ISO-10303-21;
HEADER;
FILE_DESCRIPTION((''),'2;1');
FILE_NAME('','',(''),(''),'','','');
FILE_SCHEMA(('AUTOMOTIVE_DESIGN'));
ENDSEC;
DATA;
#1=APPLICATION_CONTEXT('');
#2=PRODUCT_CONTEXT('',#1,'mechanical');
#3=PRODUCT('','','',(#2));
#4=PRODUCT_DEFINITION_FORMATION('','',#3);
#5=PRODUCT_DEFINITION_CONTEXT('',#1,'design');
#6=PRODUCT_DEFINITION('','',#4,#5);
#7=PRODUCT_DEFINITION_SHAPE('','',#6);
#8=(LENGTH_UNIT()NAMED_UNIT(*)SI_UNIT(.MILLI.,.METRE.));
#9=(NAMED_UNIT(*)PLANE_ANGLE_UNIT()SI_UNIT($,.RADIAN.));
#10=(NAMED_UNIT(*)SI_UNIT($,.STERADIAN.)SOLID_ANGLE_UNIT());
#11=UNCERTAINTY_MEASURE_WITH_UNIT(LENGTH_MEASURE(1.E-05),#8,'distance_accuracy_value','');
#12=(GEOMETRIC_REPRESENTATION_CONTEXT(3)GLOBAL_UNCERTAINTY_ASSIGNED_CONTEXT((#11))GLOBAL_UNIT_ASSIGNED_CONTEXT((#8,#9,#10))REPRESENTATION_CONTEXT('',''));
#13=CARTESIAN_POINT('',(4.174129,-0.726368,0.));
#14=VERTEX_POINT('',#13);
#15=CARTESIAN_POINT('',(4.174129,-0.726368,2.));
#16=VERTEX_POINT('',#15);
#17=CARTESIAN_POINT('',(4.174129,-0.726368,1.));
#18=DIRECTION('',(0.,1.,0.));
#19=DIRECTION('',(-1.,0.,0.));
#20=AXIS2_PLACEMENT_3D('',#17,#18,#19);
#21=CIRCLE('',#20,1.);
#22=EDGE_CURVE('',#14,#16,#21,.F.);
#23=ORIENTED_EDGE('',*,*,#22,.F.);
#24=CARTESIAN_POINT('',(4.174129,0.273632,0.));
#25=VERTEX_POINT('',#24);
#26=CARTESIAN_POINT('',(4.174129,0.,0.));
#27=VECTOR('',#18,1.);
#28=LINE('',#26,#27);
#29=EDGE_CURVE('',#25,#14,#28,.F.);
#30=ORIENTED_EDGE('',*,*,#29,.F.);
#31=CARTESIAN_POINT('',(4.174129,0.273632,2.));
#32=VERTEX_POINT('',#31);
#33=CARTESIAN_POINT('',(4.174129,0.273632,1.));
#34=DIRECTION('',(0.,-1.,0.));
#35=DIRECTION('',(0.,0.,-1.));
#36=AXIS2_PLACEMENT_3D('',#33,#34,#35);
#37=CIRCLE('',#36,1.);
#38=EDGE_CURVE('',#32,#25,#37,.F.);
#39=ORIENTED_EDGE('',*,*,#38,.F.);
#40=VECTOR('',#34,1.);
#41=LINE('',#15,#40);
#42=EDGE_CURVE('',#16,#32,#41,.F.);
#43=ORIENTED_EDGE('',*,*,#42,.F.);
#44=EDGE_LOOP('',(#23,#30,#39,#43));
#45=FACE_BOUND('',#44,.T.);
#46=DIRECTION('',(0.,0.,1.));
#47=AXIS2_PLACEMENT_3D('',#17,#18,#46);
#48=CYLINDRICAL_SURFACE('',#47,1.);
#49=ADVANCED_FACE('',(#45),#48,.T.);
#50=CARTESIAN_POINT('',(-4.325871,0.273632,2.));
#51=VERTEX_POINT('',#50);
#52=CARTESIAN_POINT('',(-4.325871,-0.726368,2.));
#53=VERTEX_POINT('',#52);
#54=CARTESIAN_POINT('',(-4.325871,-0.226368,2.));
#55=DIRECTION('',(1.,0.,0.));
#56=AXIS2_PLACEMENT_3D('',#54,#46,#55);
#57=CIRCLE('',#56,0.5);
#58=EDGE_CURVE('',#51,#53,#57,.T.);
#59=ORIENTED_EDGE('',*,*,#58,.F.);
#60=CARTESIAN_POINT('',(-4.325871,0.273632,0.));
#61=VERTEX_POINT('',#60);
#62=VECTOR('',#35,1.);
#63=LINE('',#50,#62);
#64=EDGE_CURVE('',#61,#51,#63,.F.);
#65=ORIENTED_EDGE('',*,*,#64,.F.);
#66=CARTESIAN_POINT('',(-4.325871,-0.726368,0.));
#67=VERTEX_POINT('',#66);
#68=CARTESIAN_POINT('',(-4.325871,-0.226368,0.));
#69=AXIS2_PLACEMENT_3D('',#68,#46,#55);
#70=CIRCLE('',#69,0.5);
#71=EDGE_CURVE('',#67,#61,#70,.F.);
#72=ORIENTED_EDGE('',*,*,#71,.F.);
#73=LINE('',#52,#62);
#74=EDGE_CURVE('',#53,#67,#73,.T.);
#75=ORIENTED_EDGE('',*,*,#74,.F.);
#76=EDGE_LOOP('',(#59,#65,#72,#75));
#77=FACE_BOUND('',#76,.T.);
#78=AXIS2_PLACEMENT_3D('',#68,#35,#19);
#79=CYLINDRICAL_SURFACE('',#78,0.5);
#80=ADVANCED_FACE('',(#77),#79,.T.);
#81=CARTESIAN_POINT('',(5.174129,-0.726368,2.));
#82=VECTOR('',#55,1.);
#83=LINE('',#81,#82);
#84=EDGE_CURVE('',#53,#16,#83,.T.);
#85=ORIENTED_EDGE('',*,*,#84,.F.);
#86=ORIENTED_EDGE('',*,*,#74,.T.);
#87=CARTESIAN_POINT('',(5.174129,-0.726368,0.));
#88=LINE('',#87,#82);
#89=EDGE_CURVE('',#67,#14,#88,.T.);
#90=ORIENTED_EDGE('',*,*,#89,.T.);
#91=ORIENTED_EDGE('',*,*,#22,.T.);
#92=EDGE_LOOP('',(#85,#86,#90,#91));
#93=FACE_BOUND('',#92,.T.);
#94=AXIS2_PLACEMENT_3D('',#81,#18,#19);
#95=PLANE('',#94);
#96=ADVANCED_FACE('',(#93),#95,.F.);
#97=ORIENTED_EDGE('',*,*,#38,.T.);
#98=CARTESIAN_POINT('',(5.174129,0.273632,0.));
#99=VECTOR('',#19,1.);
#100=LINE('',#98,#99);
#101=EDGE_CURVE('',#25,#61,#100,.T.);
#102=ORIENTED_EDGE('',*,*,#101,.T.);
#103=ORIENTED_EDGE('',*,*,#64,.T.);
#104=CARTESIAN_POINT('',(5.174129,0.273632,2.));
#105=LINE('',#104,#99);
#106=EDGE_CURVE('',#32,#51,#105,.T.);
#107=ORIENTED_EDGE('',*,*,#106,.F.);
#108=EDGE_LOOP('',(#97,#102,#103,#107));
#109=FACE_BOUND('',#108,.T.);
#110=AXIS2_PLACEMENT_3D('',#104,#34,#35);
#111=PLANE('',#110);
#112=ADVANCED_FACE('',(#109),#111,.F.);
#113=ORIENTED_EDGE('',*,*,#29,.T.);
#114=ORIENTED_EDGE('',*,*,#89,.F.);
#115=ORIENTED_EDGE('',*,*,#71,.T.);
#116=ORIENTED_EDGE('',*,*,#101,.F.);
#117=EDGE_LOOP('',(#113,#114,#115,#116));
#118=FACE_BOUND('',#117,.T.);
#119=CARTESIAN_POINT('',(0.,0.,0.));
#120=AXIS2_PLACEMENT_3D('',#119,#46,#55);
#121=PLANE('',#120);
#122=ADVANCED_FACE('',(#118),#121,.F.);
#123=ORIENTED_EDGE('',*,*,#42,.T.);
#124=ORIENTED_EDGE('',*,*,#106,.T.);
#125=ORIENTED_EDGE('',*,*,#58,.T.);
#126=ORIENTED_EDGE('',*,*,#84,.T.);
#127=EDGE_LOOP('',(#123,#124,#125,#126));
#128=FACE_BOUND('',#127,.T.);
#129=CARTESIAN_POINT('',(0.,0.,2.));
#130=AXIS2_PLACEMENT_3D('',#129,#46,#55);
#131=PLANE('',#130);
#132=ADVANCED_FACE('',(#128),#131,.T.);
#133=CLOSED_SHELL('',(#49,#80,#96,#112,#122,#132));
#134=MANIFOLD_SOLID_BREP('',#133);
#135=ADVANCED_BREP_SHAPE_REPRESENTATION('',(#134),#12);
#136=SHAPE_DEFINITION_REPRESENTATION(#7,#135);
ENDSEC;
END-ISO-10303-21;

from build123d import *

# Parameters (mm, degrees)
SKETCH1_W           = 10
SKETCH1_H           = 1
BOSS_EXTRUDE1_DEPTH = 2
FILLET1_RADIUS      = 1
FILLET1_LENGTH      = 1
FILLET2_RADIUS      = 0.5
FILLET2_LENGTH      = 2


with BuildPart() as part:
    # Sketch1 → Boss-Extrude1 (new body)
    with BuildSketch(Plane.XY):
        with Locations((0.174129353, -0.226368159)):
            Rectangle(SKETCH1_W, SKETCH1_H)
    extrude(amount=BOSS_EXTRUDE1_DEPTH)

    # Fillet1: full round fillet: the end face becomes a half cylinder, R = half its width
    fillet1_face = Plane((5.174129353, -0.226368159, 1), x_dir=(0, -1, 0), z_dir=(1, 0, 0))  # on the end face: x along it, z out of the body
    fillet1_slab = fillet1_face.offset(-FILLET1_RADIUS / 2) * Box(FILLET1_LENGTH, 2 * FILLET1_RADIUS, FILLET1_RADIUS, mode=Mode.PRIVATE)  # the body's end, R deep
    fillet1_round = Plane((4.174129353, -0.226368159, 1), x_dir=(1, 0, 0), z_dir=(0, -1, 0)) * Cylinder(FILLET1_RADIUS, FILLET1_LENGTH, mode=Mode.PRIVATE)  # its axis R under the face
    add(fillet1_slab - fillet1_round, mode=Mode.SUBTRACT)

    # Fillet2: full round fillet: the end face becomes a half cylinder, R = half its width
    fillet2_face = Plane((-4.825870647, -0.226368159, 1), x_dir=(0, 0, -1), z_dir=(-1, 0, 0))  # on the end face: x along it, z out of the body
    fillet2_slab = fillet2_face.offset(-FILLET2_RADIUS / 2) * Box(FILLET2_LENGTH, 2 * FILLET2_RADIUS, FILLET2_RADIUS, mode=Mode.PRIVATE)  # the body's end, R deep
    fillet2_round = Plane((-4.325870647, -0.226368159, 1), x_dir=(-1, 0, 0), z_dir=(0, 0, -1)) * Cylinder(FILLET2_RADIUS, FILLET2_LENGTH, mode=Mode.PRIVATE)  # its axis R under the face
    add(fillet2_slab - fillet2_round, mode=Mode.SUBTRACT)


solid = part.part
